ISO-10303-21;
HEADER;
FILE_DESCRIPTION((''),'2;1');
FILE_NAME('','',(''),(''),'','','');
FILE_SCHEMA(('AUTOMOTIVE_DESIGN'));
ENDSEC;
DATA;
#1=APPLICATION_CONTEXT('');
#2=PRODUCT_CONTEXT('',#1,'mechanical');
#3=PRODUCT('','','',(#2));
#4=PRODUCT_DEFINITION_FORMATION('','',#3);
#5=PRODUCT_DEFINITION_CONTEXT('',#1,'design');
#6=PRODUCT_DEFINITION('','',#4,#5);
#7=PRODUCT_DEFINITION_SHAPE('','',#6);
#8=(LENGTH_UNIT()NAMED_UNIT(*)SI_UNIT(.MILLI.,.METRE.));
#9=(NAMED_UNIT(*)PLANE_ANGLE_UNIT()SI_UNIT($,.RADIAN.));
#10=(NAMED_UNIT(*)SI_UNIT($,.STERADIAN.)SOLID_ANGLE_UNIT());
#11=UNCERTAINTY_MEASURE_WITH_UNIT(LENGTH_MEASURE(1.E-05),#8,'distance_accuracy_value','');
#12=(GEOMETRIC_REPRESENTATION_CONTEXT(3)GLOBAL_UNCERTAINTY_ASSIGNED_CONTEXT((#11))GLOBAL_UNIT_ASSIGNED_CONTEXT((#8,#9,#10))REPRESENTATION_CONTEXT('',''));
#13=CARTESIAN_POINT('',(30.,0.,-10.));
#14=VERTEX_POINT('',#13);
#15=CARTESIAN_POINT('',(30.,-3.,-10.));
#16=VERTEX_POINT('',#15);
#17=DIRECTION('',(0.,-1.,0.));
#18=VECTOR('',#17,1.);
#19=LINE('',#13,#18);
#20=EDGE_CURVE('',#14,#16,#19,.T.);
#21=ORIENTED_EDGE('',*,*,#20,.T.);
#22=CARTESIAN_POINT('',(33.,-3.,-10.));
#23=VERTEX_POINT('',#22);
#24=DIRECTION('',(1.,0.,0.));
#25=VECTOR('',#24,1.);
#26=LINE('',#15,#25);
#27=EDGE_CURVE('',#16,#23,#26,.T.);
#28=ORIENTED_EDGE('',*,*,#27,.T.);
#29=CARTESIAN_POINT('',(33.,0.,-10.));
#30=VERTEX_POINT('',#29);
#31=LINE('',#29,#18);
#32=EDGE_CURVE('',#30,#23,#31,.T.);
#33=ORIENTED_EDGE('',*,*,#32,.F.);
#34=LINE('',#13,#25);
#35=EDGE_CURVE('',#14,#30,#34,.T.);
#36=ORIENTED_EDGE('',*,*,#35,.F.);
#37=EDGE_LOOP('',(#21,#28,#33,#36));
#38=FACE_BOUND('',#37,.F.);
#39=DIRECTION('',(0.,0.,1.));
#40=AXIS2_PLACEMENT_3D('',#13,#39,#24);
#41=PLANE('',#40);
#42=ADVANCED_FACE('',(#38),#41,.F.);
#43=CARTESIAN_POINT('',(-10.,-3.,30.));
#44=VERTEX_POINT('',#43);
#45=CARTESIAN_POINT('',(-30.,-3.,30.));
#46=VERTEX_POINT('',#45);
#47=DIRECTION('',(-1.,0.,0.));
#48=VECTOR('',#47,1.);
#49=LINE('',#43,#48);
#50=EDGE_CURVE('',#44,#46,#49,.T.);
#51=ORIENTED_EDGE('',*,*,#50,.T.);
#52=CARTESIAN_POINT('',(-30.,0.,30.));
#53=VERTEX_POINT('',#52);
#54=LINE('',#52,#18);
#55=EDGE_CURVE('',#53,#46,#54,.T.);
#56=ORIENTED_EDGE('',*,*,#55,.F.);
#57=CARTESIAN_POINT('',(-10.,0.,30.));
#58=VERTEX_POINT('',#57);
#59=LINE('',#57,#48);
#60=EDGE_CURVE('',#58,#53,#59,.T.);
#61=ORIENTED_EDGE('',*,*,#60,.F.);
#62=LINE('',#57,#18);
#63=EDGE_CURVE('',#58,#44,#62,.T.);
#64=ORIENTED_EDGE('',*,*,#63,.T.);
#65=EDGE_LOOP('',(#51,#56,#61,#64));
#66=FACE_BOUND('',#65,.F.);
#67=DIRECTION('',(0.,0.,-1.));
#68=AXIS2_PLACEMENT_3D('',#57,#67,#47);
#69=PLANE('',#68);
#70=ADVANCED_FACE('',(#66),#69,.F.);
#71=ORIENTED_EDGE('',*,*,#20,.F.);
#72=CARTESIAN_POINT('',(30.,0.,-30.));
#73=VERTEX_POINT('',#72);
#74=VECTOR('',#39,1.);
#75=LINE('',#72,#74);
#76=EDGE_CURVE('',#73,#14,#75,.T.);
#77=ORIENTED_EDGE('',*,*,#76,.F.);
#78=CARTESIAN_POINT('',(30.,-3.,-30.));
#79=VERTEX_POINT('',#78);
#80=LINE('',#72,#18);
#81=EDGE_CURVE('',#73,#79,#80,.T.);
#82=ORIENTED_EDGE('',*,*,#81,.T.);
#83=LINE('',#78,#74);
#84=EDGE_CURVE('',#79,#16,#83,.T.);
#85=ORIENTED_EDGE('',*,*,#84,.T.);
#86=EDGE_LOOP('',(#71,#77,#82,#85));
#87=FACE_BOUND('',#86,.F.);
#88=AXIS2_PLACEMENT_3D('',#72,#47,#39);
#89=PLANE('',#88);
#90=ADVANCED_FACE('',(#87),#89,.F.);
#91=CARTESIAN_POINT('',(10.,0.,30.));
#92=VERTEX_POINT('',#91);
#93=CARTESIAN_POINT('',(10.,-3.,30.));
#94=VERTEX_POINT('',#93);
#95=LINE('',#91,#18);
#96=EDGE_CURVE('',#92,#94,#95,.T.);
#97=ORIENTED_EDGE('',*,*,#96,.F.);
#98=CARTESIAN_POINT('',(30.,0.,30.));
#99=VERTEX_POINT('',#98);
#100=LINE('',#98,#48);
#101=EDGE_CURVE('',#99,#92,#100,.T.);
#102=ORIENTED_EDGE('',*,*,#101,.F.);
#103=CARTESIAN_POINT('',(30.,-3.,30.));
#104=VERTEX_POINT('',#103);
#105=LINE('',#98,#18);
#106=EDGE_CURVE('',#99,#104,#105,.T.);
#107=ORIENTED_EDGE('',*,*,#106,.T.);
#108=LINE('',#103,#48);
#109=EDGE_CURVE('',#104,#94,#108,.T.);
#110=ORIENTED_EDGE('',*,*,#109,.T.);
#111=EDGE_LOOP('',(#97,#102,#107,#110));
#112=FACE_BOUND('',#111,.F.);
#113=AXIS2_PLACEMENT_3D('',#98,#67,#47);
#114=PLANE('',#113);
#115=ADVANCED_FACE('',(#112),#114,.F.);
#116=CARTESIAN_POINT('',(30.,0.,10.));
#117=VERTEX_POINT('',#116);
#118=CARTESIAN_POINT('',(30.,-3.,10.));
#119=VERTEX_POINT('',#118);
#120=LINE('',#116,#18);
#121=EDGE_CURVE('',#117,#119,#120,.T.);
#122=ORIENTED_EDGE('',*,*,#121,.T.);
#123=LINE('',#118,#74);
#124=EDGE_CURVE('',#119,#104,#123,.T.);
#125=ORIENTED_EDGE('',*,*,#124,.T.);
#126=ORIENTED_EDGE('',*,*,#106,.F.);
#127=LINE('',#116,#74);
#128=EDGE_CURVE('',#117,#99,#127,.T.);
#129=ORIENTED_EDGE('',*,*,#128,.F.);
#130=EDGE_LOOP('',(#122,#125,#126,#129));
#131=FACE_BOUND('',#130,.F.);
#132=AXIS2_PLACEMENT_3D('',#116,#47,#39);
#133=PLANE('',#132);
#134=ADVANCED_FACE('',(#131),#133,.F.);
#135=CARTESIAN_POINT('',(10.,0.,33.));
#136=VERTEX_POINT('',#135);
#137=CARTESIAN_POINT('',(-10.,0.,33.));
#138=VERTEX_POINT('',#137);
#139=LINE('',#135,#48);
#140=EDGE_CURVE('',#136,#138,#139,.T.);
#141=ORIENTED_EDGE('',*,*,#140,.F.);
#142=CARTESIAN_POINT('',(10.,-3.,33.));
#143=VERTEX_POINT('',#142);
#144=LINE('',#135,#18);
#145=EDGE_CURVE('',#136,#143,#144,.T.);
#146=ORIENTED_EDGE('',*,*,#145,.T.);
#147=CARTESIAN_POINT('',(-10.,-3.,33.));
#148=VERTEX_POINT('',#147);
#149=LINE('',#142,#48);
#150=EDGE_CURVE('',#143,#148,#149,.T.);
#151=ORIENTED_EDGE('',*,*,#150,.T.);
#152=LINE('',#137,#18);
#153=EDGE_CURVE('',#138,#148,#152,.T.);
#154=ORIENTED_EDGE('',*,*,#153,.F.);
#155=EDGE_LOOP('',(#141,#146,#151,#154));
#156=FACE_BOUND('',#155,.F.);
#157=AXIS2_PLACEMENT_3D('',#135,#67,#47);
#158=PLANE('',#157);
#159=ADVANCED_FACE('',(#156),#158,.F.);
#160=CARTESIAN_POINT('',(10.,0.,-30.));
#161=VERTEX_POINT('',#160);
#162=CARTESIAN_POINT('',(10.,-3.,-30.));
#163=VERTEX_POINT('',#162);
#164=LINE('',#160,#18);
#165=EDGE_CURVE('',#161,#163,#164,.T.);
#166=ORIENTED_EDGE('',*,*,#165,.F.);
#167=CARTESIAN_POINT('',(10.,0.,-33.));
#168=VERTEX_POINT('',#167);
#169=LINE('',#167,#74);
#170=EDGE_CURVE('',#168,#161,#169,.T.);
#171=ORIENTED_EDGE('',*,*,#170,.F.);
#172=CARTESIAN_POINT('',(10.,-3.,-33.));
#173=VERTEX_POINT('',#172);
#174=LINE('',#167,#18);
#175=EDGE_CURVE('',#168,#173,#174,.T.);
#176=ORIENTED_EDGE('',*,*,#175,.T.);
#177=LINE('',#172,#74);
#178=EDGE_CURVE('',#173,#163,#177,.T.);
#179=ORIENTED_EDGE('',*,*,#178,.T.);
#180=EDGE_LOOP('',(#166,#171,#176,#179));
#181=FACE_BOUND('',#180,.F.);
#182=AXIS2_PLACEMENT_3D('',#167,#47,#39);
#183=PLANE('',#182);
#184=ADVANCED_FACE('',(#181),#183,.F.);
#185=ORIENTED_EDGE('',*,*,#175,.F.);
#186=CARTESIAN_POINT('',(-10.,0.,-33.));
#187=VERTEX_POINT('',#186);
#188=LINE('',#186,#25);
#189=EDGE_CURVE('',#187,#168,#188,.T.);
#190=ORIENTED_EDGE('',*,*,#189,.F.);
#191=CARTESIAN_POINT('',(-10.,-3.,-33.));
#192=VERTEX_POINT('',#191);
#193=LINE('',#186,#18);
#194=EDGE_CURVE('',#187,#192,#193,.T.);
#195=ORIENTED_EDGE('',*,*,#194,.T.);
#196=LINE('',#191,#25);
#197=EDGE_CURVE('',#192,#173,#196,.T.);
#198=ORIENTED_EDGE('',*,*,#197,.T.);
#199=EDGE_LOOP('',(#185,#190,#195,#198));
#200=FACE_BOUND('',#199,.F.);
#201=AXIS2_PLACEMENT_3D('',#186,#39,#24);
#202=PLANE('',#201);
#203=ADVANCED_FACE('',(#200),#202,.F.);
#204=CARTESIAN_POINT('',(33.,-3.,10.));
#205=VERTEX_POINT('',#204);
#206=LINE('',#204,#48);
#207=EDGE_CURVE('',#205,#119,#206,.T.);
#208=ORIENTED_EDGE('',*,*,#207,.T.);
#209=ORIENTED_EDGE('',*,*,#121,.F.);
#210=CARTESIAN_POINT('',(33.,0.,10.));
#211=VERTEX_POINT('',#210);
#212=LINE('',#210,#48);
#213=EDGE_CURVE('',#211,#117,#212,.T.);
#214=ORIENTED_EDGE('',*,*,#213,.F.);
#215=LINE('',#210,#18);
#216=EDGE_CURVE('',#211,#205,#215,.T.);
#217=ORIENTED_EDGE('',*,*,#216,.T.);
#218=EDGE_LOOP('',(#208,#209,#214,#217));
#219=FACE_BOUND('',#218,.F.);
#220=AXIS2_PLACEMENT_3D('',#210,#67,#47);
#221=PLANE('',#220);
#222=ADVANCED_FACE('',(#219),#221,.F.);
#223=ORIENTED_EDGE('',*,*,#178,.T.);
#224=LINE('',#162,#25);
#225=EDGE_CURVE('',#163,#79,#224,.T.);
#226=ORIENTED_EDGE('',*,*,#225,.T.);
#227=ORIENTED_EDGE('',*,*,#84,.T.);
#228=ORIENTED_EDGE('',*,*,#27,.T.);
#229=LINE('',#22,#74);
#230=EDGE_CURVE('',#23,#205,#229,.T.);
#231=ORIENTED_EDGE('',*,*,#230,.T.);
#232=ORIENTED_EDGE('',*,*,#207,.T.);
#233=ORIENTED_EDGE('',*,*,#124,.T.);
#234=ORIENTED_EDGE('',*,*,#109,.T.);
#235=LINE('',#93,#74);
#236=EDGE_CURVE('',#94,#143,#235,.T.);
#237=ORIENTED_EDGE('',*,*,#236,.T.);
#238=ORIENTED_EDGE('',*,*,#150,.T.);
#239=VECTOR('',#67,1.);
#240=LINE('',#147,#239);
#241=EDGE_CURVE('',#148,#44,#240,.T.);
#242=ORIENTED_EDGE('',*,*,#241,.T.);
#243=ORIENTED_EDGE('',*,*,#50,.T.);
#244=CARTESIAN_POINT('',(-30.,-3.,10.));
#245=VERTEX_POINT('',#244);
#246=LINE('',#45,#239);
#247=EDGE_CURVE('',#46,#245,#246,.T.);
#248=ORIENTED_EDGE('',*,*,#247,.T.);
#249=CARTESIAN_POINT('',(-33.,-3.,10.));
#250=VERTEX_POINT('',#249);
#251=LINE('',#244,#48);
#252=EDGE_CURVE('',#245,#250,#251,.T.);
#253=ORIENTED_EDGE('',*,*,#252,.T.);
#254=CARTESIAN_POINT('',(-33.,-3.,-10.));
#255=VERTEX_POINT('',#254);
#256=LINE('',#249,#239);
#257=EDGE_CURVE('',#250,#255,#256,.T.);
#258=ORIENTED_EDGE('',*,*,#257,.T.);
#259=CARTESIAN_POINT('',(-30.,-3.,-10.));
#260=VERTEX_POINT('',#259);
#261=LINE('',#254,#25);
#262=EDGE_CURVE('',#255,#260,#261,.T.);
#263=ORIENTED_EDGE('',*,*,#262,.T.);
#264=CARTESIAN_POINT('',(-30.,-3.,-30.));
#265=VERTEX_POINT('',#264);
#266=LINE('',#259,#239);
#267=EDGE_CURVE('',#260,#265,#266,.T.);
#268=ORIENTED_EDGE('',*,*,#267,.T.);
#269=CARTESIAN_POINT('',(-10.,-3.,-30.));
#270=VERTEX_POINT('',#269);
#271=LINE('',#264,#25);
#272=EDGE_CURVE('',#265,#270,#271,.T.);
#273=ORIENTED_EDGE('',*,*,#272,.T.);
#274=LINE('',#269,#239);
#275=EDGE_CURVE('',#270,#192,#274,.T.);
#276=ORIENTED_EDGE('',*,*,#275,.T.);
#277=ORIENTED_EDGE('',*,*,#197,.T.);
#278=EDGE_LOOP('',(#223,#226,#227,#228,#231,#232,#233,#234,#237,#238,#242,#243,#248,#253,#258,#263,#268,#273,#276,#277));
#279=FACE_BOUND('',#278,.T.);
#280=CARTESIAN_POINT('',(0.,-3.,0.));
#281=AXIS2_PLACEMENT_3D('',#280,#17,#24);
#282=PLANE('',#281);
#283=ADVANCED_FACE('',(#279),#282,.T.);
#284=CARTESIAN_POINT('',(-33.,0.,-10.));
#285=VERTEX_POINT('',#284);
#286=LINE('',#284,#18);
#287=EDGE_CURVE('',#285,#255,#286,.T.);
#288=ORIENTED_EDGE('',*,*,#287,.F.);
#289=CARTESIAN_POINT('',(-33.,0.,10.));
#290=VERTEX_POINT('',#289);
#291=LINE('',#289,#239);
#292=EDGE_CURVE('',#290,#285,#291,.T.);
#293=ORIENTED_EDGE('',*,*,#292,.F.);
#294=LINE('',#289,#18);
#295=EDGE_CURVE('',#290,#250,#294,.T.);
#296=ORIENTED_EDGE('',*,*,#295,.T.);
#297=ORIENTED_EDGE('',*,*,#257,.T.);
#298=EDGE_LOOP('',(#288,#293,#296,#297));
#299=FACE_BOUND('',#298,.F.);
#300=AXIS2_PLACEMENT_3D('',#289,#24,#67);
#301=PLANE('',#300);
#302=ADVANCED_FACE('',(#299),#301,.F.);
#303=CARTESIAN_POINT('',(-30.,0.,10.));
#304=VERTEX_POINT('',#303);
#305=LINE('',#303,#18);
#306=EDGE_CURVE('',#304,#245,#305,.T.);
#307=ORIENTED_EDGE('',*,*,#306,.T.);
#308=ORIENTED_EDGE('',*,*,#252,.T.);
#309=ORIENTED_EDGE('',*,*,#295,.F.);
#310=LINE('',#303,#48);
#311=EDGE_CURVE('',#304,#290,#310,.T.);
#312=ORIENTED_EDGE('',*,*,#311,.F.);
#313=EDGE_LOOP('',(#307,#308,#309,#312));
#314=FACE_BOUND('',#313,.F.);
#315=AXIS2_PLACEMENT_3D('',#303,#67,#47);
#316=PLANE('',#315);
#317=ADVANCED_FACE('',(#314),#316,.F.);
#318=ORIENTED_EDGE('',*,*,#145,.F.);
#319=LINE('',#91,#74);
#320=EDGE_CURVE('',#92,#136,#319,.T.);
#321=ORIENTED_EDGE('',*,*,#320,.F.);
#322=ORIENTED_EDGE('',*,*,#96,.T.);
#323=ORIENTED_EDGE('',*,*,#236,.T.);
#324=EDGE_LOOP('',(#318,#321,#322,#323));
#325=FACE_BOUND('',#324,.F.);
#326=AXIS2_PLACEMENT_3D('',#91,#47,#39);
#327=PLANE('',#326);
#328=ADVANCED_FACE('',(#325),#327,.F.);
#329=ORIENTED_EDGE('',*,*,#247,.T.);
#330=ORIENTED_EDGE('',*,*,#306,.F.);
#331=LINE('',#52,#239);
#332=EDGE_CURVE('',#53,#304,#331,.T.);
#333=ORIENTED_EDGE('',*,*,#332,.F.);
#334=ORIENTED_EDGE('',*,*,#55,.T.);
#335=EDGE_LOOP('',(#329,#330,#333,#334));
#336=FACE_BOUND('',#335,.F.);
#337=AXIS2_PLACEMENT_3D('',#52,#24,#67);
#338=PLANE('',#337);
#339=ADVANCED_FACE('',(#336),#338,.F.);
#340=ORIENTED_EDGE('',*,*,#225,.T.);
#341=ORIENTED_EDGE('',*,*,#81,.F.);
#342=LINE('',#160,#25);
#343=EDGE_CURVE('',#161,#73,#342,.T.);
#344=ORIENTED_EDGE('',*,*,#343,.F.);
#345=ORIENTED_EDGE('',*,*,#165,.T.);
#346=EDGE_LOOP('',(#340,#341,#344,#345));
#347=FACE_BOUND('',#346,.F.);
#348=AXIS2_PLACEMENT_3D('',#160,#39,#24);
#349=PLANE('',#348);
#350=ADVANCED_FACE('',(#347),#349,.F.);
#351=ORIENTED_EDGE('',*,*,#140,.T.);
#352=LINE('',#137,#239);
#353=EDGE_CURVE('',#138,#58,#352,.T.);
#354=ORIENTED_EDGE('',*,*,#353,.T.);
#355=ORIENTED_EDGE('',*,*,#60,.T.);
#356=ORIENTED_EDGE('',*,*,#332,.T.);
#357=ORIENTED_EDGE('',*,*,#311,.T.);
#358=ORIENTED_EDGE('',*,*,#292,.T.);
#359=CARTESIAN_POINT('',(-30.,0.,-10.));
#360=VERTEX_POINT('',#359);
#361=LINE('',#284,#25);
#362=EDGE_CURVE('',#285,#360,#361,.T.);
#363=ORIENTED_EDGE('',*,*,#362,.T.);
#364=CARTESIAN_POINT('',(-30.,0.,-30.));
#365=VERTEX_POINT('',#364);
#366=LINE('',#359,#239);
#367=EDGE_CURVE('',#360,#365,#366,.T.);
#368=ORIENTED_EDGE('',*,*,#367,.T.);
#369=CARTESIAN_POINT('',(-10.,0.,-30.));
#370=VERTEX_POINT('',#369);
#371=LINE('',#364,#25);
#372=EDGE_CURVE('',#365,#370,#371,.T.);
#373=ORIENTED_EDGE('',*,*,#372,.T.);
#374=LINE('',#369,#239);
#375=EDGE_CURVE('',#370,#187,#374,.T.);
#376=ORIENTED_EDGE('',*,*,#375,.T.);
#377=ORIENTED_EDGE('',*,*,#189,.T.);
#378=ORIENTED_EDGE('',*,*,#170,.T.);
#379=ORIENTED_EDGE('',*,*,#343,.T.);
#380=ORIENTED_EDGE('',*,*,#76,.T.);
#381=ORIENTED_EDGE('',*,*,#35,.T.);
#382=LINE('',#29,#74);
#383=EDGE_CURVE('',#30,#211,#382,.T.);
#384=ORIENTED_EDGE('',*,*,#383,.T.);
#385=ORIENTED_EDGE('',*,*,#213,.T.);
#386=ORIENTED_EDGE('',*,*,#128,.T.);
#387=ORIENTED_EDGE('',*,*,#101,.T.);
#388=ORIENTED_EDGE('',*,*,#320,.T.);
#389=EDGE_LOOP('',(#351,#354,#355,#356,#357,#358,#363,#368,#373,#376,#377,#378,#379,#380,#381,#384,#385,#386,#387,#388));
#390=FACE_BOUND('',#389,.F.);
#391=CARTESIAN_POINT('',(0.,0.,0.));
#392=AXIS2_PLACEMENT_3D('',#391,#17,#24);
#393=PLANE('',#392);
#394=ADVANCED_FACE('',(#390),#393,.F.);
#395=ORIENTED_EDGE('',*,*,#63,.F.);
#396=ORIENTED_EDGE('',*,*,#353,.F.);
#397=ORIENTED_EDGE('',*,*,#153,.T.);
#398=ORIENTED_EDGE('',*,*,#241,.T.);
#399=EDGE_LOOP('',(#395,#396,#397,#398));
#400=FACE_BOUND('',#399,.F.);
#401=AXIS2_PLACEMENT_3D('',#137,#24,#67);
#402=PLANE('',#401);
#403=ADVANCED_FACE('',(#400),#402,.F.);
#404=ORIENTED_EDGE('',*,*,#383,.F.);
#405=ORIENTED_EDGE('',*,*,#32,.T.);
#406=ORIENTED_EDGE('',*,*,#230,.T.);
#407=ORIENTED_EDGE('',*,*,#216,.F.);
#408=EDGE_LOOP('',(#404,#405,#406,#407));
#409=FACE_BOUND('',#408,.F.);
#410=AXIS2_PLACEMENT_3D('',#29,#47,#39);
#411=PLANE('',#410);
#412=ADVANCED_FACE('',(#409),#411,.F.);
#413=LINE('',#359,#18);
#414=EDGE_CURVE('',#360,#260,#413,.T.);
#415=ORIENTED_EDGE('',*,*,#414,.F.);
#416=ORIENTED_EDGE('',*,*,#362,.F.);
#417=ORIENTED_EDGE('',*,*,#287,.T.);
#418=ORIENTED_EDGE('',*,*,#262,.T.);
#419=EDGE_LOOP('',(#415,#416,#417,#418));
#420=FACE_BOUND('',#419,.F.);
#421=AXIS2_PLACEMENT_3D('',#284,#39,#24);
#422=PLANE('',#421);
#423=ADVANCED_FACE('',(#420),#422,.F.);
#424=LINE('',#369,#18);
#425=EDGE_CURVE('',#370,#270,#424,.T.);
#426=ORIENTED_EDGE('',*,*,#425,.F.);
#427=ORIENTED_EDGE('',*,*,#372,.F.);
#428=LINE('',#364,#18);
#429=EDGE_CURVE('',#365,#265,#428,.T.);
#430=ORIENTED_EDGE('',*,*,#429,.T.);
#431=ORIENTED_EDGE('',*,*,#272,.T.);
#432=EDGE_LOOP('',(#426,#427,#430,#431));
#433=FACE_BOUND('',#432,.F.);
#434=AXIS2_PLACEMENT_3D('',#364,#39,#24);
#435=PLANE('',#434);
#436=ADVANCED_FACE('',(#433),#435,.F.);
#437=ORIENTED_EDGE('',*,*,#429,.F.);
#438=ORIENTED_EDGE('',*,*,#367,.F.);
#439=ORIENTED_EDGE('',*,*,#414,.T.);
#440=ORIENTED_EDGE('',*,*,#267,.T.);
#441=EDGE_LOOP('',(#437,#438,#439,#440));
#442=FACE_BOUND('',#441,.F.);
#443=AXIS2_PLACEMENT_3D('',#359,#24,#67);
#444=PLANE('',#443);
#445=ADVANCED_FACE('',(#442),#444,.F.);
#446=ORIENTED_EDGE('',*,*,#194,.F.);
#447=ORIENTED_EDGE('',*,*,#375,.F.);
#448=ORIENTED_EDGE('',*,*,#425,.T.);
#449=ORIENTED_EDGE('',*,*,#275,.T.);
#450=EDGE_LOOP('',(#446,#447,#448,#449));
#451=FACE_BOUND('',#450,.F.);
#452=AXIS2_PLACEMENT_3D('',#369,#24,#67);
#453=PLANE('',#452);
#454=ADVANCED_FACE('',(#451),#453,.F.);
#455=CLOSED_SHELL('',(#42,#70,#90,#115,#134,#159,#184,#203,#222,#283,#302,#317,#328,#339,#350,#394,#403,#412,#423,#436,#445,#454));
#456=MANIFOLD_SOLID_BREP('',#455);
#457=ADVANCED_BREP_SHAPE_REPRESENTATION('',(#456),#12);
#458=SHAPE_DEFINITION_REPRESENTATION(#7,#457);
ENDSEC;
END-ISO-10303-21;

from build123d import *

# Parameters (mm, degrees)
F1_DEPTH = 3


with BuildPart() as f1:
    # F0 (on Front) → F1 (new body)
    with BuildSketch(Plane.XZ):
        Polygon((-33, 10), (-33, 0), (-33, -10), (-30, -10), (-30, -30), (-10, -30), (-10, -33), (0, -33), (10, -33), (10, -30), (30, -30), (30, -10), (33, -10), (33, 0), (33, 10), (30, 10), (30, 30), (10, 30), (10, 33), (0, 33), (-10, 33), (-10, 30), (-30, 30), (-30, 10), align=None)
    extrude(amount=F1_DEPTH)


solid = f1.part
